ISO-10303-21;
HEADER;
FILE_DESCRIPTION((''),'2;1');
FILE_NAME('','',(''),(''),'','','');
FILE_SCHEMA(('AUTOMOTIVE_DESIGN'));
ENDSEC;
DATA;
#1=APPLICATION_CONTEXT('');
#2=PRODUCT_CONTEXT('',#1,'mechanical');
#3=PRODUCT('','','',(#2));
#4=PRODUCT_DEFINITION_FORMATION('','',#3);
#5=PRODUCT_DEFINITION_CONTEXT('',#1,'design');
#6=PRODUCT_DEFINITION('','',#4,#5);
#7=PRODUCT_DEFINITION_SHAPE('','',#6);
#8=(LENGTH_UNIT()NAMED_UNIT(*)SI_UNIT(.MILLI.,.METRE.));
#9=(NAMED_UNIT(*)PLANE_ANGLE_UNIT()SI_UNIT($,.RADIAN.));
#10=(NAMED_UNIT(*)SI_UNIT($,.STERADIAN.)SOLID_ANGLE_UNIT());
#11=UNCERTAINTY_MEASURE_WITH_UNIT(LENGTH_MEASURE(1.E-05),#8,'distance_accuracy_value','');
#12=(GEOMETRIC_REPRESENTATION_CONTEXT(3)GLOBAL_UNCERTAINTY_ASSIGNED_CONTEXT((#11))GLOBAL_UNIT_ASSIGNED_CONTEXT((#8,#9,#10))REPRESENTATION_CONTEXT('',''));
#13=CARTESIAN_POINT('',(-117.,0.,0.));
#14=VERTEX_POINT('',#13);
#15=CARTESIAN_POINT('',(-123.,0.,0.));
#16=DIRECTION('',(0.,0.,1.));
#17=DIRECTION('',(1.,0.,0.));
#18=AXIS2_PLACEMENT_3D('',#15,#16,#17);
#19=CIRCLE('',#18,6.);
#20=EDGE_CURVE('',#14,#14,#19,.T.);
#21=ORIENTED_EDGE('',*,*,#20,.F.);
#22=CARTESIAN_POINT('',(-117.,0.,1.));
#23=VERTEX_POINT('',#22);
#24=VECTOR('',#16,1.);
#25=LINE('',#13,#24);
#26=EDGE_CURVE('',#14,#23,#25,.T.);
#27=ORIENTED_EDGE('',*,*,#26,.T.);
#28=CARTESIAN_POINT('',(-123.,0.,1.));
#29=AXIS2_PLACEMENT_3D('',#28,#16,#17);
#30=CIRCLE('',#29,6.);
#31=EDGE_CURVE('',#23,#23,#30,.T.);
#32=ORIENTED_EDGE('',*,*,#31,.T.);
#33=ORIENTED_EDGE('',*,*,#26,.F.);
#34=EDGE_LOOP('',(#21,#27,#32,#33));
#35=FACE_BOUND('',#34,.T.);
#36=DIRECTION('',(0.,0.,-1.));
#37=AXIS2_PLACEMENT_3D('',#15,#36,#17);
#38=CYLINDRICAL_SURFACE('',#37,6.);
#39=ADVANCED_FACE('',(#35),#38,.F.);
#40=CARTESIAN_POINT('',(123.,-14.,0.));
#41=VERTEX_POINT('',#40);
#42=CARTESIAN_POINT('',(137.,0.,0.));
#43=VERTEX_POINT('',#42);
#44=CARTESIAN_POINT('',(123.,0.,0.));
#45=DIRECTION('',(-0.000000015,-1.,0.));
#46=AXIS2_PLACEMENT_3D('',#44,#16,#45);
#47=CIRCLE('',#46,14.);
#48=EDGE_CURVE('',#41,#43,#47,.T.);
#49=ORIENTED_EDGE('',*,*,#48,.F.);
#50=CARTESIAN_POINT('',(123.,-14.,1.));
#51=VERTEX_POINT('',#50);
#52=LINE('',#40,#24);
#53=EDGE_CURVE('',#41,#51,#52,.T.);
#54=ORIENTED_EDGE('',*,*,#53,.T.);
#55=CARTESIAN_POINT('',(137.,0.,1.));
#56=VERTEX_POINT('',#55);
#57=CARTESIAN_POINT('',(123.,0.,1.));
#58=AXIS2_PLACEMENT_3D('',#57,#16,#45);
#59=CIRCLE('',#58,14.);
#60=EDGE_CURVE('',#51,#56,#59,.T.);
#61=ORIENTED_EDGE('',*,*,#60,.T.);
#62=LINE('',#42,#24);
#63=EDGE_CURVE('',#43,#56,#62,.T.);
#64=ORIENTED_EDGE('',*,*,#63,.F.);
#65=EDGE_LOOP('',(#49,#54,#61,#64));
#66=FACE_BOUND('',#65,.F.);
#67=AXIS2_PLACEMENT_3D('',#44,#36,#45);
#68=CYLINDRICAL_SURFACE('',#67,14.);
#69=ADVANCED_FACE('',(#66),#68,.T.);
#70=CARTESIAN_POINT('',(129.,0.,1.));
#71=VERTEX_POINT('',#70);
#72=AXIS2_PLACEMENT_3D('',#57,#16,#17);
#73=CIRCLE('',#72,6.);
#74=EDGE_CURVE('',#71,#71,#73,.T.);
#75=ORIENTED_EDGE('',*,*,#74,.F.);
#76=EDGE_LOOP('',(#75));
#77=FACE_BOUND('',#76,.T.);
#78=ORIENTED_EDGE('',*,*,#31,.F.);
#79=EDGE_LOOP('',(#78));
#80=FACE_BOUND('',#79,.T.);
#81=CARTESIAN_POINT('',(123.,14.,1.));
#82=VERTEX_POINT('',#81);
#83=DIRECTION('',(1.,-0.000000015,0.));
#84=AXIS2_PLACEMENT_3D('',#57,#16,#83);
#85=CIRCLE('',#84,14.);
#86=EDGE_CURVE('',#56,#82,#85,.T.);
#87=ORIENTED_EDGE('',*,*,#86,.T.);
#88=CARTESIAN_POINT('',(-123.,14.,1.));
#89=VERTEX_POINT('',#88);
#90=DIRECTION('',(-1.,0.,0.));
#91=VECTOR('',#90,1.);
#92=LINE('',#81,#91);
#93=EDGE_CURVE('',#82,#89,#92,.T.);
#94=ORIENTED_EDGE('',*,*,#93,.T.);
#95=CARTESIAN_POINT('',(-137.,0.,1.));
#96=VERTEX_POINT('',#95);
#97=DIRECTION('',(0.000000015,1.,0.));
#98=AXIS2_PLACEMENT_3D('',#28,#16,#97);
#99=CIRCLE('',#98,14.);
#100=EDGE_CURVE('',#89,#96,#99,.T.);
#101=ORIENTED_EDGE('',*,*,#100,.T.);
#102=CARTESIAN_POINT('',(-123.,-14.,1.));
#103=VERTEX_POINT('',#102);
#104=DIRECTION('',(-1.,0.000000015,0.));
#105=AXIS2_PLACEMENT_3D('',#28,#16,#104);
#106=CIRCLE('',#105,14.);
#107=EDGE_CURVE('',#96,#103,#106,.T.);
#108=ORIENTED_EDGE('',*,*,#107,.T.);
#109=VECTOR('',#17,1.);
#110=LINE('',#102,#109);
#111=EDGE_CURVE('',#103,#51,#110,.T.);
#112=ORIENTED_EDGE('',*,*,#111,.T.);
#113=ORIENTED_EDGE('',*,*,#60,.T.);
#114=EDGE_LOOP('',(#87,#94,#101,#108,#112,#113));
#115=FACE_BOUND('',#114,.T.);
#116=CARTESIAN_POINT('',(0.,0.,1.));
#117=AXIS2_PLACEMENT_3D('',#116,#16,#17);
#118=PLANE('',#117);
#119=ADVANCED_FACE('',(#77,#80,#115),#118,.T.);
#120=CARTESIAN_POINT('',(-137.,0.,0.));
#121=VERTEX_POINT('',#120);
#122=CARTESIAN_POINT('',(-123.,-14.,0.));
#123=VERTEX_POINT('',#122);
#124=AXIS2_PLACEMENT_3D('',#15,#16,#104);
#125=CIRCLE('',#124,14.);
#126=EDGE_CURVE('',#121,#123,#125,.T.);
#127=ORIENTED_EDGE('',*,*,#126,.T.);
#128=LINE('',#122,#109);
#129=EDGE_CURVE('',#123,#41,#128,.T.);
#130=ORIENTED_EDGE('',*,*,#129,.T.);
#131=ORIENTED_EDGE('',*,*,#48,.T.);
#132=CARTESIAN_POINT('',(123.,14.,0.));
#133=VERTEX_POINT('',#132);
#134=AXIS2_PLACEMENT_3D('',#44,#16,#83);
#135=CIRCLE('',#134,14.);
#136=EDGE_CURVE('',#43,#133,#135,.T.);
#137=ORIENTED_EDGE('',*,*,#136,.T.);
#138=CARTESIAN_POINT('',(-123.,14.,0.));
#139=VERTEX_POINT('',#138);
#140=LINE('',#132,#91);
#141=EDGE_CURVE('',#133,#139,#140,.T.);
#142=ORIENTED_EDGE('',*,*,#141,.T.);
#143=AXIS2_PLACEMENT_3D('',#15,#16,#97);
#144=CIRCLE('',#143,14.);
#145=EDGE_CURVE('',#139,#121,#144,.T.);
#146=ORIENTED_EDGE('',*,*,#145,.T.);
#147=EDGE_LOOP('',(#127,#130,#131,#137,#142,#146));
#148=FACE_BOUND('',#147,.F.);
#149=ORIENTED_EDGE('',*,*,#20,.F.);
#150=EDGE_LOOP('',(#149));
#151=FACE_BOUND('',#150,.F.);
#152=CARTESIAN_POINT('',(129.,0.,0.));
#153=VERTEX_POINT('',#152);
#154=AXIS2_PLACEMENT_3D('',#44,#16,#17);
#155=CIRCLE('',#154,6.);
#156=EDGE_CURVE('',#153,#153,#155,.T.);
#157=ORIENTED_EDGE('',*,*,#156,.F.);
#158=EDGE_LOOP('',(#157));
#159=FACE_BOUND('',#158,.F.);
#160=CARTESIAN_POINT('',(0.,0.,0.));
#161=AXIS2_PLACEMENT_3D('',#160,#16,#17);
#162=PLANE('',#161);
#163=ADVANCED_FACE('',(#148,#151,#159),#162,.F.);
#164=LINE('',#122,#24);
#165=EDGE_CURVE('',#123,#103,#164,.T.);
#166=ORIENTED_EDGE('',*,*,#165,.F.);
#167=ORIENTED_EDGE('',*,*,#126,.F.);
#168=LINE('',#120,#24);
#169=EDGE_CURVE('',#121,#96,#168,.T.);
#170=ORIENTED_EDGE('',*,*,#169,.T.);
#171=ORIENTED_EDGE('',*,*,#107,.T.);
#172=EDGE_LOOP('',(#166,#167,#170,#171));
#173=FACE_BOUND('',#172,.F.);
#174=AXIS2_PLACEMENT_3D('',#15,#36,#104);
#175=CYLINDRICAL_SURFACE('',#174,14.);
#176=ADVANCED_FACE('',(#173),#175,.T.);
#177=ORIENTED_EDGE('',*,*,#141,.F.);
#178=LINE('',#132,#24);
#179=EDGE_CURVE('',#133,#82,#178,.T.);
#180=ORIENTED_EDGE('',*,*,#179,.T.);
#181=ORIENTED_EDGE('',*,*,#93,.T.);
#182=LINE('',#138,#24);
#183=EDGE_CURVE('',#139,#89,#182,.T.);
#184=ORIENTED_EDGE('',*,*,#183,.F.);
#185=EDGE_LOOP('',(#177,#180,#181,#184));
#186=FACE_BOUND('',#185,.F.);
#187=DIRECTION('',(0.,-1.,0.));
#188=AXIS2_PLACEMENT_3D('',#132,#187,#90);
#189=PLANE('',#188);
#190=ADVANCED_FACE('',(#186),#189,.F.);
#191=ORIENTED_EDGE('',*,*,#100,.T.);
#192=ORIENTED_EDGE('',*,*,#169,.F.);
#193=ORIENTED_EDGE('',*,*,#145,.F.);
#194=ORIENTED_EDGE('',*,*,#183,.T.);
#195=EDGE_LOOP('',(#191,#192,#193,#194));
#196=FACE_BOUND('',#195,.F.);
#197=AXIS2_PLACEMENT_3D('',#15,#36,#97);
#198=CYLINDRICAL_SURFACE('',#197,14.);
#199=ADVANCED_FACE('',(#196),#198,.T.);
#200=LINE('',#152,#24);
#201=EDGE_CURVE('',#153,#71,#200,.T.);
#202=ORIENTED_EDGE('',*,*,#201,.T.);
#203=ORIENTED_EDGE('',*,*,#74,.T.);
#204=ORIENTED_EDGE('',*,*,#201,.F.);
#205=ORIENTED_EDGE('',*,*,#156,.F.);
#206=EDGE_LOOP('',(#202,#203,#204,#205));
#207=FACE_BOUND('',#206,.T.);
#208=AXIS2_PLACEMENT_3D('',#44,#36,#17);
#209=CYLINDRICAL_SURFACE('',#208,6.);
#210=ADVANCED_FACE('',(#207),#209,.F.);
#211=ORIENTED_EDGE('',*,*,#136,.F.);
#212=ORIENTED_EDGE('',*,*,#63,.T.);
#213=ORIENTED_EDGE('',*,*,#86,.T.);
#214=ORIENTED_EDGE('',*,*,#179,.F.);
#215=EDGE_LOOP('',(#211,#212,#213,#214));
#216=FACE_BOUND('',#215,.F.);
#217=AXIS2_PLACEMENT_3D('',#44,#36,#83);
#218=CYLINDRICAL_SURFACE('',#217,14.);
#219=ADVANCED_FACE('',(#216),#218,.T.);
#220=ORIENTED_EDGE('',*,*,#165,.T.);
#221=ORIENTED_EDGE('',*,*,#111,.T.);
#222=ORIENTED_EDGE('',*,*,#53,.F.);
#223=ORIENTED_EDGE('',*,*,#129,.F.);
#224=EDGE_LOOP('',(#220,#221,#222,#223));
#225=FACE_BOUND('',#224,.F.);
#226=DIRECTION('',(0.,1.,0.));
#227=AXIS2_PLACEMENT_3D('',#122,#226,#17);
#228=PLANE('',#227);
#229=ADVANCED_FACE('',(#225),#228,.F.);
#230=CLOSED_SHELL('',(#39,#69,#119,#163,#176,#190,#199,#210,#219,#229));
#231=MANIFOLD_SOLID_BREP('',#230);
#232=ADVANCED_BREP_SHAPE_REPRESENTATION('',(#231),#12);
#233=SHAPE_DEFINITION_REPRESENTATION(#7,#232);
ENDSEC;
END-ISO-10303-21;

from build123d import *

# Parameters (mm, degrees)
F0_R     = 6
F1_DEPTH = 1


with BuildPart() as f1:
    # F0 (on Top) → F1 (new body)
    with BuildSketch(Plane.XY):
        with BuildLine():
            Line((123, 14), (-123, 14))
            ThreePointArc((-123, 14), (-132.899495, 9.899495), (-137, 0))
            ThreePointArc((-137, 0), (-132.899495, -9.899495), (-123, -14))
            Line((-123, -14), (123, -14))
            ThreePointArc((123, -14), (132.899495, -9.899495), (137, 0))
            ThreePointArc((137, 0), (132.899495, 9.899495), (123, 14))
        make_face()
        with Locations((-123, 0)):
            Circle(F0_R, mode=Mode.SUBTRACT)
        with Locations((123, 0)):
            Circle(F0_R, mode=Mode.SUBTRACT)
    extrude(amount=F1_DEPTH)


solid = f1.part
